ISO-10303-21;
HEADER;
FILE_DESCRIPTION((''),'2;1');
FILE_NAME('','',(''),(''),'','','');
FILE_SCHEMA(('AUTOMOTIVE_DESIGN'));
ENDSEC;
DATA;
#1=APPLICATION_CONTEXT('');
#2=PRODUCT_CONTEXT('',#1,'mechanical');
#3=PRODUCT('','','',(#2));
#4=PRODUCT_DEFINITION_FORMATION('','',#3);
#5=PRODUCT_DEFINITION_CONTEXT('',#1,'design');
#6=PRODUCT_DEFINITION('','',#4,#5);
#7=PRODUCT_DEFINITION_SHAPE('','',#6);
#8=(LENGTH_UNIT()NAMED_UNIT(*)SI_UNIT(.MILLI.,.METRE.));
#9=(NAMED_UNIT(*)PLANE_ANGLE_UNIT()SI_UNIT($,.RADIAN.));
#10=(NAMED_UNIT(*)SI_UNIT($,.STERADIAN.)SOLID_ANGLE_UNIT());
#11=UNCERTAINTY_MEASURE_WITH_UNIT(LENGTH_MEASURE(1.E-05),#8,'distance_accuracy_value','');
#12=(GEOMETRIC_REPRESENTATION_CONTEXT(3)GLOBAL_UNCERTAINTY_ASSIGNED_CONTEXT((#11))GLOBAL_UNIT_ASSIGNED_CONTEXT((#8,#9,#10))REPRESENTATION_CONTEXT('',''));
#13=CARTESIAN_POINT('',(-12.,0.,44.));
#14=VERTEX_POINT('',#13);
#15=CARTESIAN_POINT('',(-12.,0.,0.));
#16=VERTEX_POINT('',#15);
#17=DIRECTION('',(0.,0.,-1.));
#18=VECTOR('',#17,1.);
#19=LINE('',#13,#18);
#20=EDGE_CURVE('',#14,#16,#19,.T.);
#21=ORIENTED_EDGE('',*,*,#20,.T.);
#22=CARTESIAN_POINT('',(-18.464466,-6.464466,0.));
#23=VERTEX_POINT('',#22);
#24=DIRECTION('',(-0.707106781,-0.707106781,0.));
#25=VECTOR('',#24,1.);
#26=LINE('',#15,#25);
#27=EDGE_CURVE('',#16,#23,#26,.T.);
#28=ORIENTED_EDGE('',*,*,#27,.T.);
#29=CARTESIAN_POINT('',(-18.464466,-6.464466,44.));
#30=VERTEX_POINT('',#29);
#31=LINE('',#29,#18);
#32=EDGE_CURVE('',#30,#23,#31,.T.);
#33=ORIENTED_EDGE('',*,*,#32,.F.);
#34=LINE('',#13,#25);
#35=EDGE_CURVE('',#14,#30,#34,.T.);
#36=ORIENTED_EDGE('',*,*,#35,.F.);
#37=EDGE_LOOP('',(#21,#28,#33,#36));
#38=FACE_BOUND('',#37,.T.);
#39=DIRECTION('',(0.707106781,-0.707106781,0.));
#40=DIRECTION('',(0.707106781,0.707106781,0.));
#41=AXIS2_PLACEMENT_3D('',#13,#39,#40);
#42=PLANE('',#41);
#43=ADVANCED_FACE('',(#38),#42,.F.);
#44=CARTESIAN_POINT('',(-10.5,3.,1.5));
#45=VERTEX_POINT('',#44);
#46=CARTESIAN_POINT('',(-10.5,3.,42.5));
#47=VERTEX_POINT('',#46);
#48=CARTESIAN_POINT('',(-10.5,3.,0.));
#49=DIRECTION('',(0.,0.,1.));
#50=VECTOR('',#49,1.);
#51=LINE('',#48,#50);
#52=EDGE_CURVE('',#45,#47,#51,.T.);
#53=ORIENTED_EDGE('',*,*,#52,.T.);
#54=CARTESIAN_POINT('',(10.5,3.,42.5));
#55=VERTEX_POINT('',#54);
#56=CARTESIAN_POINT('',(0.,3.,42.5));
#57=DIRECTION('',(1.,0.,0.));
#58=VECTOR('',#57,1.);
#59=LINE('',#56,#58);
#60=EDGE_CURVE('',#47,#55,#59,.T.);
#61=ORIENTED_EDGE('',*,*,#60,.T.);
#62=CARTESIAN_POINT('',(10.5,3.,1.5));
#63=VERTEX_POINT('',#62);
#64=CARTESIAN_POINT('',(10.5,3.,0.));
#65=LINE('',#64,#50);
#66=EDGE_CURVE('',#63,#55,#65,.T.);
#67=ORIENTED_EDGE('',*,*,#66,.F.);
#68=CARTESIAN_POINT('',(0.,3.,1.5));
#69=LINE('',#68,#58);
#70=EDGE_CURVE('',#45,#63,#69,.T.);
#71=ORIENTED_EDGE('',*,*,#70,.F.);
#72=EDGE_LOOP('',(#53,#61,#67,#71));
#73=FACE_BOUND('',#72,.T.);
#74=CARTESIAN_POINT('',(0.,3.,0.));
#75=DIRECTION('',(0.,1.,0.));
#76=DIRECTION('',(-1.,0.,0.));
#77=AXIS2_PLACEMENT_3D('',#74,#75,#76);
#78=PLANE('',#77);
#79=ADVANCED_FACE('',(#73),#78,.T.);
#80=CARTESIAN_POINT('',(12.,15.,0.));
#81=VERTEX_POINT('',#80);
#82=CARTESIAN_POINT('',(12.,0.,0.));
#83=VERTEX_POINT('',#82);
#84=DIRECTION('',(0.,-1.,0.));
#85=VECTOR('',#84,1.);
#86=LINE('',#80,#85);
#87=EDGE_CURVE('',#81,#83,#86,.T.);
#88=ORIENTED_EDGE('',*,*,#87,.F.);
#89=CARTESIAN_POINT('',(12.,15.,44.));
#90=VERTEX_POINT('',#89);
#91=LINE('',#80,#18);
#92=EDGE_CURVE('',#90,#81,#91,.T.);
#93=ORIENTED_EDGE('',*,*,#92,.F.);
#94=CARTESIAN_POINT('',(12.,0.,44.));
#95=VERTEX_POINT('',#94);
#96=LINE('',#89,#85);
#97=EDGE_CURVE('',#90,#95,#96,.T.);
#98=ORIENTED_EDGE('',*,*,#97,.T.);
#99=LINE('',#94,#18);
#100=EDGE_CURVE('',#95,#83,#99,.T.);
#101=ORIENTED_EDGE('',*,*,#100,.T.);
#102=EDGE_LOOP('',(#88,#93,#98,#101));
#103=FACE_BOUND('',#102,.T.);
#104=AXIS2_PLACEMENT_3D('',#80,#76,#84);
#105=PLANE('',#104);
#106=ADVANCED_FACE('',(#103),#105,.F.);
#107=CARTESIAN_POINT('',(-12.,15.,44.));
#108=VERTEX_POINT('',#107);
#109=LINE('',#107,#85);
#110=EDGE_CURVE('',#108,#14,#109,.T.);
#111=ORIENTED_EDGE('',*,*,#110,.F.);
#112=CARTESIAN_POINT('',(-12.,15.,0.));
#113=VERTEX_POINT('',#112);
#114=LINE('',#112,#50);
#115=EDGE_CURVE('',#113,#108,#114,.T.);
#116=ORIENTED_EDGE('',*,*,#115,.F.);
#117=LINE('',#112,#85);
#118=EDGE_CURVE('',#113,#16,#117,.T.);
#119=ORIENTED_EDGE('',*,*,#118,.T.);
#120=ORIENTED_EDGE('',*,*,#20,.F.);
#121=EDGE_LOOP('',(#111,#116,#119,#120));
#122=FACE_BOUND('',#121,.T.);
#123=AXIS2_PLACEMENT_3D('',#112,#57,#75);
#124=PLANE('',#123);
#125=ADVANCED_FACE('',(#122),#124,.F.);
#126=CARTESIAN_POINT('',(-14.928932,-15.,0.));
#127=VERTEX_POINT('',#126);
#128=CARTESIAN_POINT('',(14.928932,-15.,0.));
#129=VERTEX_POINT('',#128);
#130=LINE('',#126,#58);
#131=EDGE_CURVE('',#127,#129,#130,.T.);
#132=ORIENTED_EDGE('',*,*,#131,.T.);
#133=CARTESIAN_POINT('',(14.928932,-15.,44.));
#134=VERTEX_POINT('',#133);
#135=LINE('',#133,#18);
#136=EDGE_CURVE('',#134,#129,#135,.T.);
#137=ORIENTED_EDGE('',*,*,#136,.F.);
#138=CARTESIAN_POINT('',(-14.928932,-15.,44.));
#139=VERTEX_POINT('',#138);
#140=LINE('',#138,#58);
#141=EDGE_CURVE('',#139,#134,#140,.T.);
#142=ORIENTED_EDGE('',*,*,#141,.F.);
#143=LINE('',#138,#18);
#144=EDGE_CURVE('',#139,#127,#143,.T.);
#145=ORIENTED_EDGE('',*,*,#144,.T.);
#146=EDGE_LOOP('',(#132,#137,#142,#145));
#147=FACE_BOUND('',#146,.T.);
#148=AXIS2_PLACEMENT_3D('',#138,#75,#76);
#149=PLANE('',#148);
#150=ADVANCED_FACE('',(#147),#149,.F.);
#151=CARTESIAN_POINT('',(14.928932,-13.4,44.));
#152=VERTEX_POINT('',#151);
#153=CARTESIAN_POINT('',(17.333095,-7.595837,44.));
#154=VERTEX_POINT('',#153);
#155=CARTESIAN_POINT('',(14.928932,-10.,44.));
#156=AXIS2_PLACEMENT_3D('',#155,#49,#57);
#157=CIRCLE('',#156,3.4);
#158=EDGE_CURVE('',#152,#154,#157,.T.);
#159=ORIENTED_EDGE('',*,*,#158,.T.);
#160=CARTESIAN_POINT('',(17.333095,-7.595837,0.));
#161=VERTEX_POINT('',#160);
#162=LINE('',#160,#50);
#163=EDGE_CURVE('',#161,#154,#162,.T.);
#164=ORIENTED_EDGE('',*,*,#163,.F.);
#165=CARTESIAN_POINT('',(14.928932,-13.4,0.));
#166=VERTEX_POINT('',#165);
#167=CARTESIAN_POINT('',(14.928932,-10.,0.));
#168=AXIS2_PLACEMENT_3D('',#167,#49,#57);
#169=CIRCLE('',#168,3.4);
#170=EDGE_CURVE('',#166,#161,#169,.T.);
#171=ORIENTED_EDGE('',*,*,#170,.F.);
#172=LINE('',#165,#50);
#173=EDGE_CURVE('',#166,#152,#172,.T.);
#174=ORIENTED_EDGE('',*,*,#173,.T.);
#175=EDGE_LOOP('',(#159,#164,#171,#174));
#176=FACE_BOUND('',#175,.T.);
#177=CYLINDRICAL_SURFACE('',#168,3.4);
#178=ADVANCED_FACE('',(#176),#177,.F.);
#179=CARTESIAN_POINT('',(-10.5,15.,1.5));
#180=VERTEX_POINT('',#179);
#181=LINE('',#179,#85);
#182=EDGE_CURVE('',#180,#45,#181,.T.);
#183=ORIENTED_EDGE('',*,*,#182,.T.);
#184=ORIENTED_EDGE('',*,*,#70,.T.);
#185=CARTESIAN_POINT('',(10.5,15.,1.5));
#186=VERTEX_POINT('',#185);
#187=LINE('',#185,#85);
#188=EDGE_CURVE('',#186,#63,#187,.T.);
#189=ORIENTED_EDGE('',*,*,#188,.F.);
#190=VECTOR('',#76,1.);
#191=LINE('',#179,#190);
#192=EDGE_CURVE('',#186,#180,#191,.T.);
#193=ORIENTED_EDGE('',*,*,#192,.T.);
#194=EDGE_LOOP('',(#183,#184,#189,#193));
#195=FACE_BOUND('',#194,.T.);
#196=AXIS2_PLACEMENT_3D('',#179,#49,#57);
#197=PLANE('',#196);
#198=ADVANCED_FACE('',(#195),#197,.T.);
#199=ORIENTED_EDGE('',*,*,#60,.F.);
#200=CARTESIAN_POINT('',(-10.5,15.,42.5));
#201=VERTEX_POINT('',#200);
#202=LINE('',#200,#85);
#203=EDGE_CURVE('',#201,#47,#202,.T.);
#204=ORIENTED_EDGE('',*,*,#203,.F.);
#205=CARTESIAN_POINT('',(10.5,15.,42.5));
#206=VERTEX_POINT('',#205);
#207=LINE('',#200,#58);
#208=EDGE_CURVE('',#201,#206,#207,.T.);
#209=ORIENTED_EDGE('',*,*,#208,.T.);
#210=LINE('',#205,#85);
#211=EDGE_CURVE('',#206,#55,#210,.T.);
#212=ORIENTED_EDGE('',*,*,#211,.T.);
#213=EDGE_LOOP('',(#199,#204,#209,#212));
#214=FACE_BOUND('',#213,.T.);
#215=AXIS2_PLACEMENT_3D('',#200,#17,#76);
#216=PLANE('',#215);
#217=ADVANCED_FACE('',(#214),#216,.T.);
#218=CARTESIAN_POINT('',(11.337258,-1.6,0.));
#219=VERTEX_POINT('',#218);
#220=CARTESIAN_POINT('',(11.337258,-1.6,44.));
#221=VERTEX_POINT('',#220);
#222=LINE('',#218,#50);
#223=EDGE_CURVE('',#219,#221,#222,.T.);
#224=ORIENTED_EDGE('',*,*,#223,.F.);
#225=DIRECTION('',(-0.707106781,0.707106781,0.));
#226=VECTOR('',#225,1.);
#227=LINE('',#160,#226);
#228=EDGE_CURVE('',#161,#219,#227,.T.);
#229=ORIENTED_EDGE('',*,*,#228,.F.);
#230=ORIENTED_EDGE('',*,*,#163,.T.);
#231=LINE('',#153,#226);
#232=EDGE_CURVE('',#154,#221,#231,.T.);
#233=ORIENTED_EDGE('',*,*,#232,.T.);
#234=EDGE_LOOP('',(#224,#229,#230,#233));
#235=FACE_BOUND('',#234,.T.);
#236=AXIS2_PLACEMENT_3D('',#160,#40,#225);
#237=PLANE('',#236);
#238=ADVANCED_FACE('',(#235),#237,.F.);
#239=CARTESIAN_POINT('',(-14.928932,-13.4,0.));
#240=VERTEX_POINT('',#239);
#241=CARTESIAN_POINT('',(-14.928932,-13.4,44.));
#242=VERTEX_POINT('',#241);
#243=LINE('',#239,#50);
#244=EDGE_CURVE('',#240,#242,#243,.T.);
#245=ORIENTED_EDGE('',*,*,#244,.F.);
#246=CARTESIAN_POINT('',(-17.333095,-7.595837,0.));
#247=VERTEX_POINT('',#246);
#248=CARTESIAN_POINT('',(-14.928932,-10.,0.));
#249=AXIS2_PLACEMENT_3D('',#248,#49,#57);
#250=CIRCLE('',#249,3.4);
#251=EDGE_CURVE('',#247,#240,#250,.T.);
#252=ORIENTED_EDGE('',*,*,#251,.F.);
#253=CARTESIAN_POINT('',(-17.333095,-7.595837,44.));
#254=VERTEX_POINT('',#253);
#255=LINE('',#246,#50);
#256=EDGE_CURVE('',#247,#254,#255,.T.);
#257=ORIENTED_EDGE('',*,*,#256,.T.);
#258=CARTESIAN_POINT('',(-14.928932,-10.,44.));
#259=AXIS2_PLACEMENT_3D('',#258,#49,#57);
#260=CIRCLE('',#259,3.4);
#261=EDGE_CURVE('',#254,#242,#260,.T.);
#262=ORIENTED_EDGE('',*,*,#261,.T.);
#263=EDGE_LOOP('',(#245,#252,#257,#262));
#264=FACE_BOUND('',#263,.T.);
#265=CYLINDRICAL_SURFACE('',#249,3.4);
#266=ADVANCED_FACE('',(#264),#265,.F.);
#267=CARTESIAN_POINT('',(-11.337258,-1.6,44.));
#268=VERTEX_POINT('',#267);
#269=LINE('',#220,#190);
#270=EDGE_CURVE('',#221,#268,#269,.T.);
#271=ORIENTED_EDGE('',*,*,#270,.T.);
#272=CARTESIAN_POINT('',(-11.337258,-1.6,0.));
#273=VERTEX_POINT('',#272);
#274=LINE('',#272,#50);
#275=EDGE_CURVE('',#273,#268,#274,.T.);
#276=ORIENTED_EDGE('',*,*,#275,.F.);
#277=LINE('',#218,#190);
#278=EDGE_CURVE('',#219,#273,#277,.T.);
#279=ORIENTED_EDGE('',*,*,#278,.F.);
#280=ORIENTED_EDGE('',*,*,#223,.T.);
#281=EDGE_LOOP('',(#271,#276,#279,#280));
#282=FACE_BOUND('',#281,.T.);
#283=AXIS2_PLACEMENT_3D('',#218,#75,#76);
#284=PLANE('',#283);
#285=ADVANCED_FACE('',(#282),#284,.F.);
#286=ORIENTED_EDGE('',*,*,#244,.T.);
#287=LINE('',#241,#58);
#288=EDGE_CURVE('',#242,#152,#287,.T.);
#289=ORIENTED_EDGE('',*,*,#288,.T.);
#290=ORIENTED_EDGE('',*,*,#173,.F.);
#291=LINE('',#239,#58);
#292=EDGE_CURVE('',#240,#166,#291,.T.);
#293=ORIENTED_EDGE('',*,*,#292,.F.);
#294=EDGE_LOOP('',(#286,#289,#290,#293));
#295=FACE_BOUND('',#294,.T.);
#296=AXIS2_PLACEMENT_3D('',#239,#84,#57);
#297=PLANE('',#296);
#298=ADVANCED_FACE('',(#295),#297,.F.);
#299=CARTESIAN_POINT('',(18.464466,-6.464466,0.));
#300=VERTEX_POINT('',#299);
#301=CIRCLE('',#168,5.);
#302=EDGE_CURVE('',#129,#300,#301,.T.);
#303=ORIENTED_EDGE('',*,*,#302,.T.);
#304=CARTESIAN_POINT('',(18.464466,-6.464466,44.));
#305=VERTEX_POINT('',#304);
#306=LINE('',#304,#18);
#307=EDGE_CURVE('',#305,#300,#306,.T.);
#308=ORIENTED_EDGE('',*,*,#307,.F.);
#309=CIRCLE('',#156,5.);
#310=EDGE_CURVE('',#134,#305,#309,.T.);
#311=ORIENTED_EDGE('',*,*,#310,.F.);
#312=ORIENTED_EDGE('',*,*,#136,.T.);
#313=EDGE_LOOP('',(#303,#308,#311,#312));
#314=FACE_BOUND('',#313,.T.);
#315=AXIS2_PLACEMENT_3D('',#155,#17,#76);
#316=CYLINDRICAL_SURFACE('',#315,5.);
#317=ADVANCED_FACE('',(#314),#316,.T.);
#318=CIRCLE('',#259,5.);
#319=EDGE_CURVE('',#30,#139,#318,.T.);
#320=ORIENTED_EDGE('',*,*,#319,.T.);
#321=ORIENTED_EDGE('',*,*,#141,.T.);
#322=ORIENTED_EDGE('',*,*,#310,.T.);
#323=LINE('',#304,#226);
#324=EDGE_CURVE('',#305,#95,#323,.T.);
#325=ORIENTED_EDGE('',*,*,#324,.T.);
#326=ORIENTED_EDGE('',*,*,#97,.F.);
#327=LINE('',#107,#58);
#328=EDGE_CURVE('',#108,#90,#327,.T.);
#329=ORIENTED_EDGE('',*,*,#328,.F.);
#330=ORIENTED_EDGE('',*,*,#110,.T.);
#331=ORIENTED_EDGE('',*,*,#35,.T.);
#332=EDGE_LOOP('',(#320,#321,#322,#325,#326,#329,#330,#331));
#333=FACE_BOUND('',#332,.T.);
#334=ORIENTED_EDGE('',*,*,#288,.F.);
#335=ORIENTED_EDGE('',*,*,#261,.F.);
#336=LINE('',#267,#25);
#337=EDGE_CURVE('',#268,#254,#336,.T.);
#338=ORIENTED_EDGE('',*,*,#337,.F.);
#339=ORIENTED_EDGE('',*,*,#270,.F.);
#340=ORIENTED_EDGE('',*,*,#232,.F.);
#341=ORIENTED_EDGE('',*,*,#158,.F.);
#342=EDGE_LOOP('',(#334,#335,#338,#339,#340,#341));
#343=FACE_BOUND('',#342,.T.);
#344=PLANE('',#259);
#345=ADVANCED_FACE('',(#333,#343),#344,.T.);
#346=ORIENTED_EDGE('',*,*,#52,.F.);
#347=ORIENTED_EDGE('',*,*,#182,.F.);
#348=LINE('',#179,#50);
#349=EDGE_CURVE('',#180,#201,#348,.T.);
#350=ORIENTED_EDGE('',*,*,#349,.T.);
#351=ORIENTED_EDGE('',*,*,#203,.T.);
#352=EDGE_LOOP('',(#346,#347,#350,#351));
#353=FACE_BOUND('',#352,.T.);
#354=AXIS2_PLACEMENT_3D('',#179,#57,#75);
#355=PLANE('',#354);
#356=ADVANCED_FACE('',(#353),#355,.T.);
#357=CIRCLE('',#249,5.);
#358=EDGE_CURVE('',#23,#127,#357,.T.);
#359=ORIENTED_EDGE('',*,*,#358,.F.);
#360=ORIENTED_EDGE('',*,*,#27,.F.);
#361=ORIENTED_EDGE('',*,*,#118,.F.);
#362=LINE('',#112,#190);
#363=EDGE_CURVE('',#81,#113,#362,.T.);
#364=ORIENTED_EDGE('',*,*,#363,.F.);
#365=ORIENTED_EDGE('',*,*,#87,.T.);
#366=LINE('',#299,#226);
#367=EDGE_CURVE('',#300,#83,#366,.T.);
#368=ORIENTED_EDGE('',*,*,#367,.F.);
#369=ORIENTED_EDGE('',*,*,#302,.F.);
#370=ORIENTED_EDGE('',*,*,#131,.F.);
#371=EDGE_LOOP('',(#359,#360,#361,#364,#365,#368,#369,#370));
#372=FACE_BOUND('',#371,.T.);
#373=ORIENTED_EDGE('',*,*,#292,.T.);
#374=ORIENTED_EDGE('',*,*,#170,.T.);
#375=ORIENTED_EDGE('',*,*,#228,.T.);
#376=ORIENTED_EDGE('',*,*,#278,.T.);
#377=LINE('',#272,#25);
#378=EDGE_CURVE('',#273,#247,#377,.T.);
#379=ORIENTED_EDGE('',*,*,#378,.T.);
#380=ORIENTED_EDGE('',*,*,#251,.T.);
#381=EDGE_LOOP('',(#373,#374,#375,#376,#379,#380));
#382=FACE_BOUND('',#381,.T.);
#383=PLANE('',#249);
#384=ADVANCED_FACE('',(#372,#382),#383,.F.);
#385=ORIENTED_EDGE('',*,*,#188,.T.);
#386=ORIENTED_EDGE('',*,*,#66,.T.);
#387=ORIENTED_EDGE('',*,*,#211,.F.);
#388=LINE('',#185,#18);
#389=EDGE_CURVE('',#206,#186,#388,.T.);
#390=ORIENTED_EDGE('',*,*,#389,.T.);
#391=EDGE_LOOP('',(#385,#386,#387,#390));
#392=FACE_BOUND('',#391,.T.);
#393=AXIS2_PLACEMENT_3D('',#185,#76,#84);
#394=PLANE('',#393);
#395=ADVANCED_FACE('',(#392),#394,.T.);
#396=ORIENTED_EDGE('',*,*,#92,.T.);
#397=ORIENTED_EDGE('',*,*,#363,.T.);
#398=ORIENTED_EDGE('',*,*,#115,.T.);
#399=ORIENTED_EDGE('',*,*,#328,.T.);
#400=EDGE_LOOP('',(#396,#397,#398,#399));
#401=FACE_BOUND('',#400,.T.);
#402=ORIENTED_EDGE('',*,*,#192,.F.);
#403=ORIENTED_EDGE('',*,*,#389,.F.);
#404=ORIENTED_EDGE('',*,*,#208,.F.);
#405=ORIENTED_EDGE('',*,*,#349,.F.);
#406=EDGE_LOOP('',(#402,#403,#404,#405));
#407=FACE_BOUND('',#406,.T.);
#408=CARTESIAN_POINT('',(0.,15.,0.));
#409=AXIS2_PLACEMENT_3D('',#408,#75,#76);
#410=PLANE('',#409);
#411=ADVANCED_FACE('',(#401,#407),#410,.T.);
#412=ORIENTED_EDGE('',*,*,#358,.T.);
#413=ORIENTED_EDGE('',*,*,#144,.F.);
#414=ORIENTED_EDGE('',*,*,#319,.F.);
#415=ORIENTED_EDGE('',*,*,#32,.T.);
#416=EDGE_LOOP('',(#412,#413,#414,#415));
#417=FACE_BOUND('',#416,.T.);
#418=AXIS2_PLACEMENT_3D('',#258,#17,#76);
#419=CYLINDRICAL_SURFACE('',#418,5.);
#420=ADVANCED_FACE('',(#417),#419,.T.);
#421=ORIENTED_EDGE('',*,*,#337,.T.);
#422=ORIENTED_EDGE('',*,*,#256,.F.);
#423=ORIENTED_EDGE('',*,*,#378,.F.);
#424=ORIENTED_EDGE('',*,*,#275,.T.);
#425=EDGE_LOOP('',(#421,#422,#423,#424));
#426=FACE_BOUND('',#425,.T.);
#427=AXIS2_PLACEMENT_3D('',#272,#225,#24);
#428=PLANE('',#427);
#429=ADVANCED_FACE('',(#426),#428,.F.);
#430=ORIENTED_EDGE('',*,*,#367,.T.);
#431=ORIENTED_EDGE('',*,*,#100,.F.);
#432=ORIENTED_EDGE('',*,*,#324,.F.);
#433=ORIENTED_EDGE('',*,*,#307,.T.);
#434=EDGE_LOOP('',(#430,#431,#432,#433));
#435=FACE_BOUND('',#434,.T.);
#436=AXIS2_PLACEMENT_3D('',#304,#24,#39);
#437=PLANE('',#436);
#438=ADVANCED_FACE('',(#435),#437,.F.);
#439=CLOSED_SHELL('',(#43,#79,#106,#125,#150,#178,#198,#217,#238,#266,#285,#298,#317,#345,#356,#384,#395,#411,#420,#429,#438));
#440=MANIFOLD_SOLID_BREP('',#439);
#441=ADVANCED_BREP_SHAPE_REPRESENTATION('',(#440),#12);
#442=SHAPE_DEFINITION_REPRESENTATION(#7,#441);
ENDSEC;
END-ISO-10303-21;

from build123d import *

# Parameters (mm, degrees)
BOSS_EXTRUDE1_DEPTH = 44
CUT_EXTRUDE1_DEPTH  = 45
SKETCH2_W           = 24
SKETCH2_H           = 44
SKETCH2_W_2         = 21
SKETCH2_H_2         = 41
BOSS_EXTRUDE2_DEPTH = 15
SKETCH2_2_W         = 21
SKETCH2_2_H         = 41
BOSS_EXTRUDE3_DEPTH = 3


with BuildPart() as part:
    # Sketch1 → Boss-Extrude1 (new body)
    with BuildSketch(Plane.XY):
        with BuildLine():
            Line((-12, 0), (12, 0))
            Line((12, 0), (18.464466094, -6.464466094))
            ThreePointArc((18.464466094, -6.464466094), (19.548329851, -11.913417162), (14.928932188, -15))
            Line((14.928932188, -15), (-14.928932188, -15))
            ThreePointArc((-14.928932188, -15), (-19.548329851, -11.913417162), (-18.464466094, -6.464466094))
            Line((-18.464466094, -6.464466094), (-12, 0))
        make_face()
    extrude(amount=BOSS_EXTRUDE1_DEPTH)

    # Sketch3 → Cut-Extrude1 (cut, through all)
    with BuildSketch(Plane.XY.offset(44)):
        with BuildLine():
            Line((-14.928932188, -13.4), (14.928932188, -13.4))
            ThreePointArc((14.928932188, -13.4), (18.070122599, -11.30112367), (17.333095244, -7.595836944))
            Line((17.333095244, -7.595836944), (11.3372583, -1.6))
            Line((11.3372583, -1.6), (-11.3372583, -1.6))
            Line((-11.3372583, -1.6), (-17.333095244, -7.595836944))
            ThreePointArc((-17.333095244, -7.595836944), (-18.070122599, -11.30112367), (-14.928932188, -13.4))
        make_face()
    extrude(amount=-CUT_EXTRUDE1_DEPTH, mode=Mode.SUBTRACT)

    # Sketch2 → Boss-Extrude2 (add)
    with BuildSketch(Plane(origin=(0, 0, 0), x_dir=(1, 0, 0), z_dir=(0, 1, 0))):
        with Locations((0, -22)):
            Rectangle(SKETCH2_W, SKETCH2_H)
        with Locations((0, -22)):
            Rectangle(SKETCH2_W_2, SKETCH2_H_2, mode=Mode.SUBTRACT)
    extrude(amount=BOSS_EXTRUDE2_DEPTH)

    # Sketch2<2> → Boss-Extrude3 (add)
    with BuildSketch(Plane(origin=(0, 0, 0), x_dir=(1, 0, 0), z_dir=(0, 1, 0))):
        with Locations((0, -22)):
            Rectangle(SKETCH2_2_W, SKETCH2_2_H)
    extrude(amount=BOSS_EXTRUDE3_DEPTH)


solid = part.part
